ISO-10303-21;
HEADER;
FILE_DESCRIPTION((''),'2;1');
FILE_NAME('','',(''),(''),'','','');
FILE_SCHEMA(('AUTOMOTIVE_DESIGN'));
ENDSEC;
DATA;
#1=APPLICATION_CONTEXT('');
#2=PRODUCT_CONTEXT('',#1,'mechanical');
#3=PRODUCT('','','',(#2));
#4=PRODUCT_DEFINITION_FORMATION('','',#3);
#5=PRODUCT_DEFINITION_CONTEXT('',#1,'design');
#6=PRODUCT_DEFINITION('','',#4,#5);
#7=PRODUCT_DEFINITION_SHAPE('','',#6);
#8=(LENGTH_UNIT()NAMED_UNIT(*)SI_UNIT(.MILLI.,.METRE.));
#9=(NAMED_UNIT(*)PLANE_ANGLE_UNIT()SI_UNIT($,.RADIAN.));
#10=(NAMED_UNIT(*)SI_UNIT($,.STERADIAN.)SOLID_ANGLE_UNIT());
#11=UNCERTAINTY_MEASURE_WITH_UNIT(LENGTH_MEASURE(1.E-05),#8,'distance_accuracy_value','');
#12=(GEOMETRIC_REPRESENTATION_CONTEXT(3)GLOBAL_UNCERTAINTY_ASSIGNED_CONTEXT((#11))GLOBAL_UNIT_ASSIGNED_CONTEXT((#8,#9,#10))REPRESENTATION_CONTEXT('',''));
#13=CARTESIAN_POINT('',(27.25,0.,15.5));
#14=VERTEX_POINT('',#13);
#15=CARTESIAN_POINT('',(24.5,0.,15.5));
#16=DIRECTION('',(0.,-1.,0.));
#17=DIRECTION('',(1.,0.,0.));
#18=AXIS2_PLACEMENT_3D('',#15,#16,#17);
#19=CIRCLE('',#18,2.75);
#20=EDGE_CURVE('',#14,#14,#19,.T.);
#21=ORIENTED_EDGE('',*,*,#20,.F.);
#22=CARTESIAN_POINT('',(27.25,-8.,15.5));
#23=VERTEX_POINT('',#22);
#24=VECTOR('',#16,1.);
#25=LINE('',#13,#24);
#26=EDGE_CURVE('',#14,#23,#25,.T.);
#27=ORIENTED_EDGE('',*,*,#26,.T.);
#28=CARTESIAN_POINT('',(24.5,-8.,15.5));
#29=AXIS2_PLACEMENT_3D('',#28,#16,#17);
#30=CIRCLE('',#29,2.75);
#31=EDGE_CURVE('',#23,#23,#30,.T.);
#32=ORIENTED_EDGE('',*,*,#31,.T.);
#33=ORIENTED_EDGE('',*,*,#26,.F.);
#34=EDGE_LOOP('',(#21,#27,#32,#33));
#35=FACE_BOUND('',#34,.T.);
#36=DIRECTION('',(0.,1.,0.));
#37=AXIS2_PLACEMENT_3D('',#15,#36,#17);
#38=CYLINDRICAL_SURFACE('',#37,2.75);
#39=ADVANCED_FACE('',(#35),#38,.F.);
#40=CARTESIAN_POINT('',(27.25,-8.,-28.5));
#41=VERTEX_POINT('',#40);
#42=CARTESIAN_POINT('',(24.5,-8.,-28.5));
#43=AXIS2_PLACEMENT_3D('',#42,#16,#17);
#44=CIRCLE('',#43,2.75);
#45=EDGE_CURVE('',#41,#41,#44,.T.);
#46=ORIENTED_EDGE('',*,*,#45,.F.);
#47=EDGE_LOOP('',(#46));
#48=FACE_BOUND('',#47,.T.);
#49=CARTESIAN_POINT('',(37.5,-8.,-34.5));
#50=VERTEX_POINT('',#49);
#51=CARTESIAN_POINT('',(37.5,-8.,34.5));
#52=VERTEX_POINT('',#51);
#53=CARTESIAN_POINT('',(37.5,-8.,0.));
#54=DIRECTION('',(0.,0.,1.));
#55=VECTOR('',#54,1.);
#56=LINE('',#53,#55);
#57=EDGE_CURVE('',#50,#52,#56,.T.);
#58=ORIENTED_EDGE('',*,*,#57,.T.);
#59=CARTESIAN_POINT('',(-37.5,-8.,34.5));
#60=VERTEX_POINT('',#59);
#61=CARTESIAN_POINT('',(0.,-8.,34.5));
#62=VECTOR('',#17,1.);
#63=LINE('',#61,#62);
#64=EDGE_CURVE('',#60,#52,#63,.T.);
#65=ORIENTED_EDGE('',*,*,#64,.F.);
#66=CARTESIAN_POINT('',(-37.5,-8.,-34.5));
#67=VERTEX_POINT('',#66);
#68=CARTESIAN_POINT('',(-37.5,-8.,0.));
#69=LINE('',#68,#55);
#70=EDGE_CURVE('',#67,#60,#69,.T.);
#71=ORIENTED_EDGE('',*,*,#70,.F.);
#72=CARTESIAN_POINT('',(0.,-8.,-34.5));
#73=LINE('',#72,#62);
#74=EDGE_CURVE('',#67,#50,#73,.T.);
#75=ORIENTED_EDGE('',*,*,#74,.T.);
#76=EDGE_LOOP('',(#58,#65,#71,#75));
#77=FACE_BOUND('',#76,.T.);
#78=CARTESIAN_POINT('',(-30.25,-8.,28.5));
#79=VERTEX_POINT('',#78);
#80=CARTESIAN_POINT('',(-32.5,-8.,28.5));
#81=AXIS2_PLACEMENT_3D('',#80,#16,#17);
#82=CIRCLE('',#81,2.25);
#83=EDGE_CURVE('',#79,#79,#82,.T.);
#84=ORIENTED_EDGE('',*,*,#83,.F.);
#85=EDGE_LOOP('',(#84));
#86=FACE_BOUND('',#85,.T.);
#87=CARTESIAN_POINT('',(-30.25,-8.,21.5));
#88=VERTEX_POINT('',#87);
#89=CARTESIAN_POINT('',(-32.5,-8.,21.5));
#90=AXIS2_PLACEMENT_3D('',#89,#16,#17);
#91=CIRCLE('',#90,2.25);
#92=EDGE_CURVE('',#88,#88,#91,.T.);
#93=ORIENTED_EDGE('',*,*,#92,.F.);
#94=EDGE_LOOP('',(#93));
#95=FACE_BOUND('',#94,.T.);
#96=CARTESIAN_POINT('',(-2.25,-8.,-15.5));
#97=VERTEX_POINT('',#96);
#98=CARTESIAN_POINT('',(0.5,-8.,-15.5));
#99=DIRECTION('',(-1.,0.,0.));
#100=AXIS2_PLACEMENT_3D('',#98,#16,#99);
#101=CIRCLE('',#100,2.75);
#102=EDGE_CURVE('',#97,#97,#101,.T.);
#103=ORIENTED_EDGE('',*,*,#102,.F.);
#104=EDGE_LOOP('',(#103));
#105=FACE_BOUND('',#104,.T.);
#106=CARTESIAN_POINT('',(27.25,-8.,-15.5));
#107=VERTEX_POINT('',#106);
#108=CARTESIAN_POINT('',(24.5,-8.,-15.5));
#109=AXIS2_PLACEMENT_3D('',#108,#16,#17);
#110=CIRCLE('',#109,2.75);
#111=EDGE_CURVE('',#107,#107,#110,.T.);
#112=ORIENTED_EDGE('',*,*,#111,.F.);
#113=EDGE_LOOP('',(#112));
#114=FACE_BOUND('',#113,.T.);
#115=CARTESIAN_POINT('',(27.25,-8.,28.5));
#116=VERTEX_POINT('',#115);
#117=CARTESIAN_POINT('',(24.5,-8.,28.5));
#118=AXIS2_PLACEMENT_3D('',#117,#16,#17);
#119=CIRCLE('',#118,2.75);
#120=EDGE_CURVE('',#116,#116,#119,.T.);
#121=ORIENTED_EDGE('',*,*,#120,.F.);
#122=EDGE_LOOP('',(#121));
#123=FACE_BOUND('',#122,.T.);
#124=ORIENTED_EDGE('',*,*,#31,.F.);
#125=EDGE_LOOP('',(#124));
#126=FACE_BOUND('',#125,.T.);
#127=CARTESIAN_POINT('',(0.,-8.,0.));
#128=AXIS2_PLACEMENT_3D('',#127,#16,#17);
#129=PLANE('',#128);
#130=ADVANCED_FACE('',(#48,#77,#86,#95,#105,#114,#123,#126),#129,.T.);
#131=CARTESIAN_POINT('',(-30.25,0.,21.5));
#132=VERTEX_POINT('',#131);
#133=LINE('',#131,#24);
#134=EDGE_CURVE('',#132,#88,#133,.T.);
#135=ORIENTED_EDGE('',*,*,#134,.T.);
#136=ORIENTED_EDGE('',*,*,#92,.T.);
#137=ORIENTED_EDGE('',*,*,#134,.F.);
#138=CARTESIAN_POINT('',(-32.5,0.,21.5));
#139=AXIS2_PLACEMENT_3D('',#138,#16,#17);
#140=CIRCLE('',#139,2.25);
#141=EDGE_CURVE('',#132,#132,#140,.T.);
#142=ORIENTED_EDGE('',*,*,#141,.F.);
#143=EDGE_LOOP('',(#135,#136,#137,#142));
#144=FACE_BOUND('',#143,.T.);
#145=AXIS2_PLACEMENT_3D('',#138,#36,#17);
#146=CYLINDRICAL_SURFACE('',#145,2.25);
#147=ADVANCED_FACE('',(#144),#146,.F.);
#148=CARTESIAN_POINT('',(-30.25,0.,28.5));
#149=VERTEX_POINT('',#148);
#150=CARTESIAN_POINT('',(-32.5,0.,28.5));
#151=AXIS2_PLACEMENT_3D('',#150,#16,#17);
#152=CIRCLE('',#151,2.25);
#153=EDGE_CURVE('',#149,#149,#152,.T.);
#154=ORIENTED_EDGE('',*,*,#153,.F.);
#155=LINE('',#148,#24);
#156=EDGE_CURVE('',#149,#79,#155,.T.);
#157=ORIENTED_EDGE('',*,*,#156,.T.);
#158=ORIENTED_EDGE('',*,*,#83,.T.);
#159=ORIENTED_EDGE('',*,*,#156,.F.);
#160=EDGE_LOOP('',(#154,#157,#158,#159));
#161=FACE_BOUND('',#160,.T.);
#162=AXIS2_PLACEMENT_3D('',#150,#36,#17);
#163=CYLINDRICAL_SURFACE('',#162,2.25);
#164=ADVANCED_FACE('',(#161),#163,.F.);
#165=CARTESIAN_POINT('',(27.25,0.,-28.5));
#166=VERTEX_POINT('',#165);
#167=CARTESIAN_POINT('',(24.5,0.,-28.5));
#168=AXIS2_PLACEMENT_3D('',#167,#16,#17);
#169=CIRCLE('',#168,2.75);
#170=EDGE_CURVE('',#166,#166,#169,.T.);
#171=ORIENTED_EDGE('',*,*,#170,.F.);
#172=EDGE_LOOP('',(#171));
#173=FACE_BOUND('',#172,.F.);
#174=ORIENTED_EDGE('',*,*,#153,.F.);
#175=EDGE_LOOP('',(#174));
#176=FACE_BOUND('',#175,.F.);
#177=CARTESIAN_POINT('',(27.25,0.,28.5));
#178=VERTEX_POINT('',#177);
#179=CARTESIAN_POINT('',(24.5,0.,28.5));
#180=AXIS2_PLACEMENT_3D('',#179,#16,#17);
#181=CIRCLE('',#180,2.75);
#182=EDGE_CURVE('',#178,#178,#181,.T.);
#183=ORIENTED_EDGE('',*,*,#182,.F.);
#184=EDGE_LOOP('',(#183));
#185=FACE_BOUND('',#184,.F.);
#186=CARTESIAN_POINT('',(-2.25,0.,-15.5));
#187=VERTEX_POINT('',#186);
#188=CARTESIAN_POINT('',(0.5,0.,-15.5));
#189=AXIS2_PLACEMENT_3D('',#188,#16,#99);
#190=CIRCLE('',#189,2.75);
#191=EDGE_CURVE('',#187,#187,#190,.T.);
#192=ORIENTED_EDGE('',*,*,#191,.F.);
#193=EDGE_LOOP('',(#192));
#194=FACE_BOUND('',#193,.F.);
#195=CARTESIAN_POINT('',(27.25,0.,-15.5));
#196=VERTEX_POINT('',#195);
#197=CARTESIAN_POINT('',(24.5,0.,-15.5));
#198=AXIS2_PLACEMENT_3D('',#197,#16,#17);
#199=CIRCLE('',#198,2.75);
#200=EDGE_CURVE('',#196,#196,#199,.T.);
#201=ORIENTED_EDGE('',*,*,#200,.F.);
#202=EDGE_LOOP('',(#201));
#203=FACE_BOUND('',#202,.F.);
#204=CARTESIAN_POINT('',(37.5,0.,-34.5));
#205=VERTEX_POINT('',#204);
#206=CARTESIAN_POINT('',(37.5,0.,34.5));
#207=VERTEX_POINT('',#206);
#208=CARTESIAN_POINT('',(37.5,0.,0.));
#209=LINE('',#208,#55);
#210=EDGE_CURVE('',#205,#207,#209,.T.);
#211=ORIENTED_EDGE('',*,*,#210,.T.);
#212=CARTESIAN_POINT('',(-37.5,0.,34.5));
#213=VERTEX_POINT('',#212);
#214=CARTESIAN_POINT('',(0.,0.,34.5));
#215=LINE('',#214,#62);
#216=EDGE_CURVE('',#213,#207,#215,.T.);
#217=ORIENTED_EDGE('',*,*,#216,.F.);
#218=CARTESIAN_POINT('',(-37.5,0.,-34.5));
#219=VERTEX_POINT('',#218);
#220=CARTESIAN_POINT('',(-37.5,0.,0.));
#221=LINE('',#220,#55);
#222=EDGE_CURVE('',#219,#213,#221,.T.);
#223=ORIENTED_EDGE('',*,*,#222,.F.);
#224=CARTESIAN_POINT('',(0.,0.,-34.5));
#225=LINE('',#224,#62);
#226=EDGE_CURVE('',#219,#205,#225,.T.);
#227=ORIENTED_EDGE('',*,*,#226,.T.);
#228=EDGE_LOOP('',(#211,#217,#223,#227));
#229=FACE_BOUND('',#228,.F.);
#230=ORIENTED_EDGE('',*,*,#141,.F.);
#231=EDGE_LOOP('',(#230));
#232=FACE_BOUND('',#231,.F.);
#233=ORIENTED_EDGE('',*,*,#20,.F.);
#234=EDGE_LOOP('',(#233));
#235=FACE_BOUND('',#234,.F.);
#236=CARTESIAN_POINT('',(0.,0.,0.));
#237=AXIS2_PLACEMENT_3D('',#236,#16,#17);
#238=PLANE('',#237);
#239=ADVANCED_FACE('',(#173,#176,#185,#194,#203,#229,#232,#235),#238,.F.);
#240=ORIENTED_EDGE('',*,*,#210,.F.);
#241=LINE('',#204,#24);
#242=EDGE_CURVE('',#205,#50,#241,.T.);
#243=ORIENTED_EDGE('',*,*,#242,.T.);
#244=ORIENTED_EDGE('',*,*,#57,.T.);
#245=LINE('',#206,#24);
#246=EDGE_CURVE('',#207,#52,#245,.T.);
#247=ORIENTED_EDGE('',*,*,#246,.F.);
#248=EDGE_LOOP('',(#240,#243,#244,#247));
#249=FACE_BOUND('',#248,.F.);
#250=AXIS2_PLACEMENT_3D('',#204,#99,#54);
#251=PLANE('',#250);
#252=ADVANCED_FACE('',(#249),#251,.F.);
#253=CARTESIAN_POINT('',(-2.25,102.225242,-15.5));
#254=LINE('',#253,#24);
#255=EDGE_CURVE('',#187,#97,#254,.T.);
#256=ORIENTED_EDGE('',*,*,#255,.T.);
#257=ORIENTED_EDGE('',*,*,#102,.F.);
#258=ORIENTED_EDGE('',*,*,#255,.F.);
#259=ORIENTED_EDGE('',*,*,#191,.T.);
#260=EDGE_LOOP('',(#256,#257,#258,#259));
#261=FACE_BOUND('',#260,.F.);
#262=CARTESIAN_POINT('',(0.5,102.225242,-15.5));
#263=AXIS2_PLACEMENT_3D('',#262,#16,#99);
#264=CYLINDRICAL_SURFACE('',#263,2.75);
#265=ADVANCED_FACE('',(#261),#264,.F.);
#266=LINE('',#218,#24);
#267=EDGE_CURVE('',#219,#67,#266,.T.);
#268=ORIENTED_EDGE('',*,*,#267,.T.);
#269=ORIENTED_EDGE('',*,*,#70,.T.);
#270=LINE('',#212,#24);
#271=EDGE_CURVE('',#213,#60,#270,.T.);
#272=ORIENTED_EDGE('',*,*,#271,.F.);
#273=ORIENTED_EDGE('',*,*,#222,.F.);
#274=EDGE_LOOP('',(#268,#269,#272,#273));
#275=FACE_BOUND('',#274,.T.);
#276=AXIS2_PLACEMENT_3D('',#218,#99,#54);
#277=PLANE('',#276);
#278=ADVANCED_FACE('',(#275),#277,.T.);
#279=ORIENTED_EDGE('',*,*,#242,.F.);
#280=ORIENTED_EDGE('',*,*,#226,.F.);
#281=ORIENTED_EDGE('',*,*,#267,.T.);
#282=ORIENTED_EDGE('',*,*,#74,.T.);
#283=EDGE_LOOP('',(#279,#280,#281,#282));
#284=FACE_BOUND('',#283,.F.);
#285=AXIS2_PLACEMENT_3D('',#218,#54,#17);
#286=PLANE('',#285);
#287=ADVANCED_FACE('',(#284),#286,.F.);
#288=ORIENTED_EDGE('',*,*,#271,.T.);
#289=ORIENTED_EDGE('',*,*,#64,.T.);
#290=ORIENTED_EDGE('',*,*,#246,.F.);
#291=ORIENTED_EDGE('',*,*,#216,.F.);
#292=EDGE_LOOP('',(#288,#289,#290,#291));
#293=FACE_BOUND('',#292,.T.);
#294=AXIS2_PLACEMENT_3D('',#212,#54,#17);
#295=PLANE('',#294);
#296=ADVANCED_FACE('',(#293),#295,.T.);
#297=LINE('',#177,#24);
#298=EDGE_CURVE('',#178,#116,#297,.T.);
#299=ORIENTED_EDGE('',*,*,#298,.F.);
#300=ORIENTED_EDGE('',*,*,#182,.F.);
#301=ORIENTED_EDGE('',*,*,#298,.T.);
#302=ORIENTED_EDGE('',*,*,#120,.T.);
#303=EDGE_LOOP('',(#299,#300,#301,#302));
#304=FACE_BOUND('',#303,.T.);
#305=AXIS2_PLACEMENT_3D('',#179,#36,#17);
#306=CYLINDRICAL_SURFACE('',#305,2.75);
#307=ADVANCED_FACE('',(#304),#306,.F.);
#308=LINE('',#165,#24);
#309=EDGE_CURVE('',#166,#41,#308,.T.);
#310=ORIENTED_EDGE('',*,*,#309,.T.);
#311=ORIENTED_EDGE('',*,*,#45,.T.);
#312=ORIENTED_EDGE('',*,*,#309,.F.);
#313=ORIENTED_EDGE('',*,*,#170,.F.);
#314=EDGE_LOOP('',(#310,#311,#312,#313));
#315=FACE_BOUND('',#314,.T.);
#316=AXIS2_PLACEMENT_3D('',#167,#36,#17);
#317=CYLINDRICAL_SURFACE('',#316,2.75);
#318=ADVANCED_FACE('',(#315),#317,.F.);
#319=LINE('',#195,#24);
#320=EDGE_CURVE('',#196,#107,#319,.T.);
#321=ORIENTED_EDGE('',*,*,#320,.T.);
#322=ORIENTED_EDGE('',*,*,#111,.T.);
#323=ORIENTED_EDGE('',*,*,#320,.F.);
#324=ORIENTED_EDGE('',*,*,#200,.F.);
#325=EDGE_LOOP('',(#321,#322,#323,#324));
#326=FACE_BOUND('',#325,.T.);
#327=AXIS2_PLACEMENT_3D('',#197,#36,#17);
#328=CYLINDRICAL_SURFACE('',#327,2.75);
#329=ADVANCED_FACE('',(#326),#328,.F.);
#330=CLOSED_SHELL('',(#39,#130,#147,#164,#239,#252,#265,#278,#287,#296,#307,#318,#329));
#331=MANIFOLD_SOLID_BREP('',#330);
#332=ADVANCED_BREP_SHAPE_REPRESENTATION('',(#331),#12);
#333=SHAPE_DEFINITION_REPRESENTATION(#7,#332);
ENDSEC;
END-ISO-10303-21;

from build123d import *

# Parameters (mm, degrees)
F0_W     = 75
F0_H     = 69
F0_R     = 2.75
F0_R_2   = 2.25
F1_DEPTH = 8
F2_D     = 5.5


with BuildPart() as f1:
    # F0 (on Front) → F1 (new body)
    with BuildSketch(Plane.XZ):
        Rectangle(F0_W, F0_H)
        with Locations((24.5, -28.5)):
            Circle(F0_R, mode=Mode.SUBTRACT)
        with Locations((24.5, -15.5)):
            Circle(F0_R, mode=Mode.SUBTRACT)
        with Locations((-32.5, 21.5)):
            Circle(F0_R_2, mode=Mode.SUBTRACT)
        with Locations((-32.5, 28.5)):
            Circle(F0_R_2, mode=Mode.SUBTRACT)
        with Locations((24.5, 15.5)):
            Circle(F0_R, mode=Mode.SUBTRACT)
        with Locations((24.5, 28.5)):
            Circle(F0_R, mode=Mode.SUBTRACT)
    extrude(amount=F1_DEPTH)

    # F2 (through all)
    with Locations(Plane(origin=(0, 0, 0), x_dir=(1, 0, 0), z_dir=(0, 1, 0))):
        with Locations((0.5, 15.5)):
            Hole(F2_D / 2)


solid = f1.part
